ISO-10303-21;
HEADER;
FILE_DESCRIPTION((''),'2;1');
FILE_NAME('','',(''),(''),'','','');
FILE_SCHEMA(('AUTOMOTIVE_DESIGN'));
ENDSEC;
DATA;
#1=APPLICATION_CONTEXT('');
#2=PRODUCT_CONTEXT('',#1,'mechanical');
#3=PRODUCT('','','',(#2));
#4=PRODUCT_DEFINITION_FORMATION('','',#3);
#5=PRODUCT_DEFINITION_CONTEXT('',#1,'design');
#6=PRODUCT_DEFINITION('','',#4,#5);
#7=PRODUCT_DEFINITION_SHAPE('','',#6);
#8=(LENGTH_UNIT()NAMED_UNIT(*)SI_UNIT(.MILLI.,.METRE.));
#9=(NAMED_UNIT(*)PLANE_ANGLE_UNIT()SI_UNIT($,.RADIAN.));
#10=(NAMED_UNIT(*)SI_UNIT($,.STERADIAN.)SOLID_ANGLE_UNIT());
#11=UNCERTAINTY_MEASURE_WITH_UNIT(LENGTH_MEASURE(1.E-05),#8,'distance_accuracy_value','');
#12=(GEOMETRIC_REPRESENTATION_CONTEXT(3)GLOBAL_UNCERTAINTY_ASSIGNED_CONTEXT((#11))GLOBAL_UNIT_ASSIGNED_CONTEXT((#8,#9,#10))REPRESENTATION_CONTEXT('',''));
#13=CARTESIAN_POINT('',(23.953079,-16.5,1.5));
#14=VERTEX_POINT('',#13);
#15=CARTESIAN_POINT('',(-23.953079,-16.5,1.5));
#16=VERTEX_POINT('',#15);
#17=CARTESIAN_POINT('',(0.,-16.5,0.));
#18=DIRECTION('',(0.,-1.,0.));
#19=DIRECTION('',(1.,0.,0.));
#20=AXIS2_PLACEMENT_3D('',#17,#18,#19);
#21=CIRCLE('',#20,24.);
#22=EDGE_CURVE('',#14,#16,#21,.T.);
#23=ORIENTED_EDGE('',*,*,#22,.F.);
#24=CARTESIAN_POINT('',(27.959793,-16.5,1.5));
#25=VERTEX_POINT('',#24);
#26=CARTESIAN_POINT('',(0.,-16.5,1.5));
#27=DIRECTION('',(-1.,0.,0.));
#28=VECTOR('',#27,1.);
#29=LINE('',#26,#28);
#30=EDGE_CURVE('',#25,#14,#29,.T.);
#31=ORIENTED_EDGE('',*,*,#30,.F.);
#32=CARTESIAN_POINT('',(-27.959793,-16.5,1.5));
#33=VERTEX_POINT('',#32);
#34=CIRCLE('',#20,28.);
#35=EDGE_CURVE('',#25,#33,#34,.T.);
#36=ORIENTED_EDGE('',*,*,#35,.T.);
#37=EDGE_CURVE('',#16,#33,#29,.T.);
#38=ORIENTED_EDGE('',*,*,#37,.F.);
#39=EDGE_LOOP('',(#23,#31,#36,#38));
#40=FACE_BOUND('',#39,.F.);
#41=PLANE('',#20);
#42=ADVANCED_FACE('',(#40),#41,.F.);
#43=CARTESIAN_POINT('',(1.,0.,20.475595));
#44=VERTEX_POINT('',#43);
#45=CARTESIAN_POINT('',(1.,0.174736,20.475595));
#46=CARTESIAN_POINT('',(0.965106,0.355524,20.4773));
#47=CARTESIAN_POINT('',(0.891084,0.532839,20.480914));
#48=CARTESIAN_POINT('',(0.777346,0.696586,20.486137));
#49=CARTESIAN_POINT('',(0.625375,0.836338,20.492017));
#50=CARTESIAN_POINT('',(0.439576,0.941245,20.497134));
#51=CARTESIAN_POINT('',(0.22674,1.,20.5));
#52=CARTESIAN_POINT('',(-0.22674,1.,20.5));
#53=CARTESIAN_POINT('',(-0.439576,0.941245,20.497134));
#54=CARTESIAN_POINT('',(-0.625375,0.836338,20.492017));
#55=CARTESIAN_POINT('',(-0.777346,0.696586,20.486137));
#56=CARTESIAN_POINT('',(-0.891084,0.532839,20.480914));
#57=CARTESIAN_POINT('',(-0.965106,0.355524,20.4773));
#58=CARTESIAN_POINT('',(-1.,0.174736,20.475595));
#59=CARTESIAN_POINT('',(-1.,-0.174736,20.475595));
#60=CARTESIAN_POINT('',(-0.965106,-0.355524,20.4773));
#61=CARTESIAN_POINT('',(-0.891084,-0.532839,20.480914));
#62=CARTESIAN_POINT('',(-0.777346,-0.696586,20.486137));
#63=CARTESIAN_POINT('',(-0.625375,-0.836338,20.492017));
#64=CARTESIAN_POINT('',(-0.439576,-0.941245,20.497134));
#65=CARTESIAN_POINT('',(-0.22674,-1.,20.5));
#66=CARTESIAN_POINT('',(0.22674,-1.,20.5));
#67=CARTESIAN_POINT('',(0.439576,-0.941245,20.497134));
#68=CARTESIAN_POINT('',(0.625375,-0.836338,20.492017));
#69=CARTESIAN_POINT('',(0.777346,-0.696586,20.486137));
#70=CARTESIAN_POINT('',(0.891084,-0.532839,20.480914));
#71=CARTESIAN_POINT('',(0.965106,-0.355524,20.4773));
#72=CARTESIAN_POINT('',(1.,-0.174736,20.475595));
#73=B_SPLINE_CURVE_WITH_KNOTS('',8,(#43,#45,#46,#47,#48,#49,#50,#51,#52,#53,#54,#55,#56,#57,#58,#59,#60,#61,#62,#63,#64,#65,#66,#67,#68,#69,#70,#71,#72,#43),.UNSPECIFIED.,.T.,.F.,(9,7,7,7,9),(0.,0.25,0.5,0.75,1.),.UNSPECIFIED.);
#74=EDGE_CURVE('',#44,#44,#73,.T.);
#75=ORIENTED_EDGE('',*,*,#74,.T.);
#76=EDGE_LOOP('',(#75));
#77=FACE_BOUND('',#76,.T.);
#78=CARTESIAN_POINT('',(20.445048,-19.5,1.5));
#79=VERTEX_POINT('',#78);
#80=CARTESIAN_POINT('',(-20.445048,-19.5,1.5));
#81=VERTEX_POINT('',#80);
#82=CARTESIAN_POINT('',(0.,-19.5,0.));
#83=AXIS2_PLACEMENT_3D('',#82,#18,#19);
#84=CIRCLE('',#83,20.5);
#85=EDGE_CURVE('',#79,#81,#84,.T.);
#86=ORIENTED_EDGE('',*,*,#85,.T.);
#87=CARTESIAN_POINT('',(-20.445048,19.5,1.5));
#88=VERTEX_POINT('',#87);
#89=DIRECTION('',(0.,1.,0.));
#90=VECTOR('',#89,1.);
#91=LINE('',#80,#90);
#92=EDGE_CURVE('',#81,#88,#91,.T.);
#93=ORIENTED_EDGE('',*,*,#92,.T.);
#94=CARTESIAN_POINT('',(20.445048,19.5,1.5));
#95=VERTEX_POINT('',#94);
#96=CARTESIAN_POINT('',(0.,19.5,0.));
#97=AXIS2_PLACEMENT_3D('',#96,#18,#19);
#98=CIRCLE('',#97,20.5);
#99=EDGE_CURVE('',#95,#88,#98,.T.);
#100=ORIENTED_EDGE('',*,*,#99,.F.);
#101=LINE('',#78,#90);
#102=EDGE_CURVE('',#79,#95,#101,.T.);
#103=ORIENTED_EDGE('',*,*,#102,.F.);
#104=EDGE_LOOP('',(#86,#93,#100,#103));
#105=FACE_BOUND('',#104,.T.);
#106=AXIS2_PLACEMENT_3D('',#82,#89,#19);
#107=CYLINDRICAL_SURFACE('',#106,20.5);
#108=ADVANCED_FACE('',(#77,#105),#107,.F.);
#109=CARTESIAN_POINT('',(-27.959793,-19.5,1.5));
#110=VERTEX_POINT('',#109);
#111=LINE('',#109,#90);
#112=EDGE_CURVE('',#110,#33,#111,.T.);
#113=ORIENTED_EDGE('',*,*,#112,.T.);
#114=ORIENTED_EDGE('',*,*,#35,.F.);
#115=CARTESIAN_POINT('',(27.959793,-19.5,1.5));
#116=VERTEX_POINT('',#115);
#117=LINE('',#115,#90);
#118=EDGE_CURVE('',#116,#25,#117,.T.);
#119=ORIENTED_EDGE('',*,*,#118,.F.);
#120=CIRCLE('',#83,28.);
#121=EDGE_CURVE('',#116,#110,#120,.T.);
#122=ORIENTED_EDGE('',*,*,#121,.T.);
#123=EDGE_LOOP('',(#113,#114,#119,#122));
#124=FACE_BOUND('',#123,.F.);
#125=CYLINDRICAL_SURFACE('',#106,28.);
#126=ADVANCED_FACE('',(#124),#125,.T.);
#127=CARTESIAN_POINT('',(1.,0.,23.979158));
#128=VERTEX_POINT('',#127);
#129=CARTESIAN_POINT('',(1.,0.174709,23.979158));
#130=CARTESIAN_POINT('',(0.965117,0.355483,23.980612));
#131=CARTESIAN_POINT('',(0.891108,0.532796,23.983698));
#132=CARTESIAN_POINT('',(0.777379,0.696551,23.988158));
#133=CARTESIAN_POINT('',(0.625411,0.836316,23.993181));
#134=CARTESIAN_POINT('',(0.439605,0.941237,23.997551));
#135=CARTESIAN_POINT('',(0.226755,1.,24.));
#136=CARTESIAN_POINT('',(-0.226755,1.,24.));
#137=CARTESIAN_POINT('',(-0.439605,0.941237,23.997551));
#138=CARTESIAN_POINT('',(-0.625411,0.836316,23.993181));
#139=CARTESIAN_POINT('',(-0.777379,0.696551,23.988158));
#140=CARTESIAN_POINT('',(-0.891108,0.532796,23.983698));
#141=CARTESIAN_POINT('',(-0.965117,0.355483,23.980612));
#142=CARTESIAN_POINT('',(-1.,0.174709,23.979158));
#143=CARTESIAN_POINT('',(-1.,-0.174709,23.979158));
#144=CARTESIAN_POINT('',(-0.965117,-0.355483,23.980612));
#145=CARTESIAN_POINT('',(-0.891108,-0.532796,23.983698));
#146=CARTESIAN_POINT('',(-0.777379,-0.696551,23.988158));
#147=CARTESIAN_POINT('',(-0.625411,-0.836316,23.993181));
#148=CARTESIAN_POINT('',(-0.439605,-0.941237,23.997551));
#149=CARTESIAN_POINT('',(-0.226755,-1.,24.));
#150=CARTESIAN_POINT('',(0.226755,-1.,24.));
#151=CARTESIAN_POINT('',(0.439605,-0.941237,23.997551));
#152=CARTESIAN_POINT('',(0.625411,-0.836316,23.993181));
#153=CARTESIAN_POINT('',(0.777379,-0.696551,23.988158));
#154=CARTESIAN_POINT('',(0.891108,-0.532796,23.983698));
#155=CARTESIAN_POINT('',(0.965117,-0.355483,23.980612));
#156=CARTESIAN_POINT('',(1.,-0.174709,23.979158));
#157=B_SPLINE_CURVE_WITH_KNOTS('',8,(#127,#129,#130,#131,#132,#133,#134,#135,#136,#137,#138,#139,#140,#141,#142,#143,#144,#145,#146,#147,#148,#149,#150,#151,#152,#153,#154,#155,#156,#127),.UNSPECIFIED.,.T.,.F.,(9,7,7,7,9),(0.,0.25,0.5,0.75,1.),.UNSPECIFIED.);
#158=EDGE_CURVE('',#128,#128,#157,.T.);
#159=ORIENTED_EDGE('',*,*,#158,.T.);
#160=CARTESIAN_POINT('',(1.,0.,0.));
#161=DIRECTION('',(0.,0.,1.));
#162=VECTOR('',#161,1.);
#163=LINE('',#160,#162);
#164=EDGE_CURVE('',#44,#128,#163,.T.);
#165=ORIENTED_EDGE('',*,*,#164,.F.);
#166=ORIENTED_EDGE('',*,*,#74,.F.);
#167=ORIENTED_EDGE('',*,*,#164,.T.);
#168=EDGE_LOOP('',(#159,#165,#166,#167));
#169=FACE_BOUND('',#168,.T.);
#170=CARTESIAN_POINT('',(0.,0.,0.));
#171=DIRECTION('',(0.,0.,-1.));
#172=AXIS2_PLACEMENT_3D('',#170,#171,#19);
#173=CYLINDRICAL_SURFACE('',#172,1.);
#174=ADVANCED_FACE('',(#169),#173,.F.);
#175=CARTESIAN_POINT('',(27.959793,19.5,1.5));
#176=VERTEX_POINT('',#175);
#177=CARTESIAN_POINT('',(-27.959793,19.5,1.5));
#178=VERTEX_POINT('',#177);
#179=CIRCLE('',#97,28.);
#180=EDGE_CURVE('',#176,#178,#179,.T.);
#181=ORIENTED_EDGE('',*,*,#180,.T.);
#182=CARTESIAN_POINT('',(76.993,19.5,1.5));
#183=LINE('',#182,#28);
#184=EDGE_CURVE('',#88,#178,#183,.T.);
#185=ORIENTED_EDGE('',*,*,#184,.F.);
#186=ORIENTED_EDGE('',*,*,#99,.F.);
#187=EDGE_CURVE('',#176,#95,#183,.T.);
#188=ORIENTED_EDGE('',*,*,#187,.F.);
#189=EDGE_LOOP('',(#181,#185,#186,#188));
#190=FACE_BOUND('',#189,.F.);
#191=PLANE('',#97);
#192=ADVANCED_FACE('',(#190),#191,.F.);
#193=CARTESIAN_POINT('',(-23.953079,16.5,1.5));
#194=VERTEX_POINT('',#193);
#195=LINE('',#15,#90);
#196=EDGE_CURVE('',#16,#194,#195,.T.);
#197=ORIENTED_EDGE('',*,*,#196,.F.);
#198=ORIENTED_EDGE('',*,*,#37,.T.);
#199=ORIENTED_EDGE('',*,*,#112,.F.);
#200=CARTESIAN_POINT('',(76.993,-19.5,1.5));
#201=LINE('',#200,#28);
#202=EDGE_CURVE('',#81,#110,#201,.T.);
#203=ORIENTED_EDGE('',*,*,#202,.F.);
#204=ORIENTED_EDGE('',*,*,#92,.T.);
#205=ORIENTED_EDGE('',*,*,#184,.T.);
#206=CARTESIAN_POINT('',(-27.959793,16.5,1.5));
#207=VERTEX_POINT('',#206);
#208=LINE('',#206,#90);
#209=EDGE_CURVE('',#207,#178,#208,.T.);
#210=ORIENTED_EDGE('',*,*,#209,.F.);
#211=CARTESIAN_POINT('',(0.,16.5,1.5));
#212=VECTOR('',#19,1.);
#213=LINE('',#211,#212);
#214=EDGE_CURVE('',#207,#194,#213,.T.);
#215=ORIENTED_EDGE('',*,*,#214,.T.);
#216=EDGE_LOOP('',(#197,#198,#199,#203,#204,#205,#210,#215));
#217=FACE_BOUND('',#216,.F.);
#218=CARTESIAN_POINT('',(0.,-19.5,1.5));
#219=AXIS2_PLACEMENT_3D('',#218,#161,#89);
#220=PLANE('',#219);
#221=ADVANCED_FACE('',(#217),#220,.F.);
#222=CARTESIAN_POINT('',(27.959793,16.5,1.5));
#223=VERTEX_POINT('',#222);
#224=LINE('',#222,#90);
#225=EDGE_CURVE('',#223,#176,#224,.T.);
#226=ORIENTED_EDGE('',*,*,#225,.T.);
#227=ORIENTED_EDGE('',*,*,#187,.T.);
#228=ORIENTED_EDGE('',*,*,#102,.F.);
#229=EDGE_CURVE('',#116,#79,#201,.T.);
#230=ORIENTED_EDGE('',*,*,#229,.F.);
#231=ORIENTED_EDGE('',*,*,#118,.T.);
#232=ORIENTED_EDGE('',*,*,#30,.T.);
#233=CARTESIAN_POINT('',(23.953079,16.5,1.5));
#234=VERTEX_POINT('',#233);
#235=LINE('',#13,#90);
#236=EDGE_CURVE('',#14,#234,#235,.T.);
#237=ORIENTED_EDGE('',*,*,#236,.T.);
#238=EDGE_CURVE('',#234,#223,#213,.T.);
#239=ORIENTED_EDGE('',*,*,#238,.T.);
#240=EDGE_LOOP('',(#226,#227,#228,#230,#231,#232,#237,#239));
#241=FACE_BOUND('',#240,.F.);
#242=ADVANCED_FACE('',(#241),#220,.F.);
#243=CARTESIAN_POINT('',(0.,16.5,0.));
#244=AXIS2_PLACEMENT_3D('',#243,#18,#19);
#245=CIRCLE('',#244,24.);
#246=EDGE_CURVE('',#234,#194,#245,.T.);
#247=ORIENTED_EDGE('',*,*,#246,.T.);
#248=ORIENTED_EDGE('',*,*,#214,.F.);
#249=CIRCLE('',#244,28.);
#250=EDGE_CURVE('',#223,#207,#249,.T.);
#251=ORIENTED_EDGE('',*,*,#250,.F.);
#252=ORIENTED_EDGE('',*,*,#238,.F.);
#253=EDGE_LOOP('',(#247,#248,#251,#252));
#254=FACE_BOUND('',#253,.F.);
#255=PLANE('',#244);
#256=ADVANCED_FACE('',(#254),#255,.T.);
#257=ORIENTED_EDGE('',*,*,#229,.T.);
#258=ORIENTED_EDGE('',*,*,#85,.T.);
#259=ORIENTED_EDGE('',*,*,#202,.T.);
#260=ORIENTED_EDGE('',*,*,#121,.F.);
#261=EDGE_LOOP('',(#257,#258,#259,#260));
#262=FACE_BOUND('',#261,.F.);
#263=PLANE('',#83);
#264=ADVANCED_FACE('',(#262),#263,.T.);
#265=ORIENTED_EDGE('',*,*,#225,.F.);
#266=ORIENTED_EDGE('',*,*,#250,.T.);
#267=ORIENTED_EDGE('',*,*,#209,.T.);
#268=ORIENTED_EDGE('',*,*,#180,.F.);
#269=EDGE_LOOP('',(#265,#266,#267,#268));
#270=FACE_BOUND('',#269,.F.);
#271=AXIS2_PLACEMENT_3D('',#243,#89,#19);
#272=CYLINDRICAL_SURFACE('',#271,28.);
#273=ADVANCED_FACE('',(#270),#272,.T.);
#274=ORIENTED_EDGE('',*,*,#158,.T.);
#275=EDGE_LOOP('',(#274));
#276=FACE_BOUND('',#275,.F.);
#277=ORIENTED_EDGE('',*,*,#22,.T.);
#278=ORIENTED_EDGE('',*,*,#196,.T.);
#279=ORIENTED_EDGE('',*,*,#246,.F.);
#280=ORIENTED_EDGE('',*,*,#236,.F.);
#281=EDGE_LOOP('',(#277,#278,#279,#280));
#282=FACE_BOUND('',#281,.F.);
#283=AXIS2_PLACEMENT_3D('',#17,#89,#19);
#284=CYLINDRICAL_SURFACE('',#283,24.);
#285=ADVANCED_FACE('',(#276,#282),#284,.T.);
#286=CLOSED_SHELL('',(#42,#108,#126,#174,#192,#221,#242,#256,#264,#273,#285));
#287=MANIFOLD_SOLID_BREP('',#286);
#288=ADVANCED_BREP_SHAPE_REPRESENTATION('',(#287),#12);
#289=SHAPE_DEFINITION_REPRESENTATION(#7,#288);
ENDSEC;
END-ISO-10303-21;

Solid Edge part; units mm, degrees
sketch "Sketch1" plane through (0, 0, 0) normal (0, 0, 1) x (1, 0, 0)
  line L0 (20.5, -19.5) -> (28, -19.5)
  line L1 (28, -19.5) -> (28, -16.5)
  line L2 (28, -16.5) -> (24, -16.5)
  line L3 (24, -16.5) -> (24, 16.5)
  line L4 (24, 16.5) -> (28, 16.5)
  line L5 (28, 16.5) -> (28, 19.5)
  line L6 (28, 19.5) -> (20.5, 19.5)
  line L7 (20.5, -19.5) -> (20.5, 19.5)
revolve "RevolvedProtrusion1" add sketch "Sketch1" angle 180 about axis through (0, 54, 0) along (0, -1, 0)
sketch "Sketch2" plane through (0, 0, 0) normal (0, 0, 1) x (1, 0, 0)
  circle A0 centre (0, 0) radius 1
extrude "ExtrudedCutout_1" cut sketch "Sketch2" along normal mid plane 257.4558
sketch "Sketch3" plane through (0, 0, 0) normal (1, 0, 0) x (0, 1, 0)
  line L0 (-19.5, 0) -> (-19.5, 1.5)
  line L1 (-19.5, 1.5) -> (19.5, 1.5)
  line L2 (19.5, 1.5) -> (19.5, 0)
  line L3 (19.5, 0) -> (-19.5, 0)
extrude "ExtrudedCutout_2" cut sketch "Sketch3" along normal mid plane 153.986
